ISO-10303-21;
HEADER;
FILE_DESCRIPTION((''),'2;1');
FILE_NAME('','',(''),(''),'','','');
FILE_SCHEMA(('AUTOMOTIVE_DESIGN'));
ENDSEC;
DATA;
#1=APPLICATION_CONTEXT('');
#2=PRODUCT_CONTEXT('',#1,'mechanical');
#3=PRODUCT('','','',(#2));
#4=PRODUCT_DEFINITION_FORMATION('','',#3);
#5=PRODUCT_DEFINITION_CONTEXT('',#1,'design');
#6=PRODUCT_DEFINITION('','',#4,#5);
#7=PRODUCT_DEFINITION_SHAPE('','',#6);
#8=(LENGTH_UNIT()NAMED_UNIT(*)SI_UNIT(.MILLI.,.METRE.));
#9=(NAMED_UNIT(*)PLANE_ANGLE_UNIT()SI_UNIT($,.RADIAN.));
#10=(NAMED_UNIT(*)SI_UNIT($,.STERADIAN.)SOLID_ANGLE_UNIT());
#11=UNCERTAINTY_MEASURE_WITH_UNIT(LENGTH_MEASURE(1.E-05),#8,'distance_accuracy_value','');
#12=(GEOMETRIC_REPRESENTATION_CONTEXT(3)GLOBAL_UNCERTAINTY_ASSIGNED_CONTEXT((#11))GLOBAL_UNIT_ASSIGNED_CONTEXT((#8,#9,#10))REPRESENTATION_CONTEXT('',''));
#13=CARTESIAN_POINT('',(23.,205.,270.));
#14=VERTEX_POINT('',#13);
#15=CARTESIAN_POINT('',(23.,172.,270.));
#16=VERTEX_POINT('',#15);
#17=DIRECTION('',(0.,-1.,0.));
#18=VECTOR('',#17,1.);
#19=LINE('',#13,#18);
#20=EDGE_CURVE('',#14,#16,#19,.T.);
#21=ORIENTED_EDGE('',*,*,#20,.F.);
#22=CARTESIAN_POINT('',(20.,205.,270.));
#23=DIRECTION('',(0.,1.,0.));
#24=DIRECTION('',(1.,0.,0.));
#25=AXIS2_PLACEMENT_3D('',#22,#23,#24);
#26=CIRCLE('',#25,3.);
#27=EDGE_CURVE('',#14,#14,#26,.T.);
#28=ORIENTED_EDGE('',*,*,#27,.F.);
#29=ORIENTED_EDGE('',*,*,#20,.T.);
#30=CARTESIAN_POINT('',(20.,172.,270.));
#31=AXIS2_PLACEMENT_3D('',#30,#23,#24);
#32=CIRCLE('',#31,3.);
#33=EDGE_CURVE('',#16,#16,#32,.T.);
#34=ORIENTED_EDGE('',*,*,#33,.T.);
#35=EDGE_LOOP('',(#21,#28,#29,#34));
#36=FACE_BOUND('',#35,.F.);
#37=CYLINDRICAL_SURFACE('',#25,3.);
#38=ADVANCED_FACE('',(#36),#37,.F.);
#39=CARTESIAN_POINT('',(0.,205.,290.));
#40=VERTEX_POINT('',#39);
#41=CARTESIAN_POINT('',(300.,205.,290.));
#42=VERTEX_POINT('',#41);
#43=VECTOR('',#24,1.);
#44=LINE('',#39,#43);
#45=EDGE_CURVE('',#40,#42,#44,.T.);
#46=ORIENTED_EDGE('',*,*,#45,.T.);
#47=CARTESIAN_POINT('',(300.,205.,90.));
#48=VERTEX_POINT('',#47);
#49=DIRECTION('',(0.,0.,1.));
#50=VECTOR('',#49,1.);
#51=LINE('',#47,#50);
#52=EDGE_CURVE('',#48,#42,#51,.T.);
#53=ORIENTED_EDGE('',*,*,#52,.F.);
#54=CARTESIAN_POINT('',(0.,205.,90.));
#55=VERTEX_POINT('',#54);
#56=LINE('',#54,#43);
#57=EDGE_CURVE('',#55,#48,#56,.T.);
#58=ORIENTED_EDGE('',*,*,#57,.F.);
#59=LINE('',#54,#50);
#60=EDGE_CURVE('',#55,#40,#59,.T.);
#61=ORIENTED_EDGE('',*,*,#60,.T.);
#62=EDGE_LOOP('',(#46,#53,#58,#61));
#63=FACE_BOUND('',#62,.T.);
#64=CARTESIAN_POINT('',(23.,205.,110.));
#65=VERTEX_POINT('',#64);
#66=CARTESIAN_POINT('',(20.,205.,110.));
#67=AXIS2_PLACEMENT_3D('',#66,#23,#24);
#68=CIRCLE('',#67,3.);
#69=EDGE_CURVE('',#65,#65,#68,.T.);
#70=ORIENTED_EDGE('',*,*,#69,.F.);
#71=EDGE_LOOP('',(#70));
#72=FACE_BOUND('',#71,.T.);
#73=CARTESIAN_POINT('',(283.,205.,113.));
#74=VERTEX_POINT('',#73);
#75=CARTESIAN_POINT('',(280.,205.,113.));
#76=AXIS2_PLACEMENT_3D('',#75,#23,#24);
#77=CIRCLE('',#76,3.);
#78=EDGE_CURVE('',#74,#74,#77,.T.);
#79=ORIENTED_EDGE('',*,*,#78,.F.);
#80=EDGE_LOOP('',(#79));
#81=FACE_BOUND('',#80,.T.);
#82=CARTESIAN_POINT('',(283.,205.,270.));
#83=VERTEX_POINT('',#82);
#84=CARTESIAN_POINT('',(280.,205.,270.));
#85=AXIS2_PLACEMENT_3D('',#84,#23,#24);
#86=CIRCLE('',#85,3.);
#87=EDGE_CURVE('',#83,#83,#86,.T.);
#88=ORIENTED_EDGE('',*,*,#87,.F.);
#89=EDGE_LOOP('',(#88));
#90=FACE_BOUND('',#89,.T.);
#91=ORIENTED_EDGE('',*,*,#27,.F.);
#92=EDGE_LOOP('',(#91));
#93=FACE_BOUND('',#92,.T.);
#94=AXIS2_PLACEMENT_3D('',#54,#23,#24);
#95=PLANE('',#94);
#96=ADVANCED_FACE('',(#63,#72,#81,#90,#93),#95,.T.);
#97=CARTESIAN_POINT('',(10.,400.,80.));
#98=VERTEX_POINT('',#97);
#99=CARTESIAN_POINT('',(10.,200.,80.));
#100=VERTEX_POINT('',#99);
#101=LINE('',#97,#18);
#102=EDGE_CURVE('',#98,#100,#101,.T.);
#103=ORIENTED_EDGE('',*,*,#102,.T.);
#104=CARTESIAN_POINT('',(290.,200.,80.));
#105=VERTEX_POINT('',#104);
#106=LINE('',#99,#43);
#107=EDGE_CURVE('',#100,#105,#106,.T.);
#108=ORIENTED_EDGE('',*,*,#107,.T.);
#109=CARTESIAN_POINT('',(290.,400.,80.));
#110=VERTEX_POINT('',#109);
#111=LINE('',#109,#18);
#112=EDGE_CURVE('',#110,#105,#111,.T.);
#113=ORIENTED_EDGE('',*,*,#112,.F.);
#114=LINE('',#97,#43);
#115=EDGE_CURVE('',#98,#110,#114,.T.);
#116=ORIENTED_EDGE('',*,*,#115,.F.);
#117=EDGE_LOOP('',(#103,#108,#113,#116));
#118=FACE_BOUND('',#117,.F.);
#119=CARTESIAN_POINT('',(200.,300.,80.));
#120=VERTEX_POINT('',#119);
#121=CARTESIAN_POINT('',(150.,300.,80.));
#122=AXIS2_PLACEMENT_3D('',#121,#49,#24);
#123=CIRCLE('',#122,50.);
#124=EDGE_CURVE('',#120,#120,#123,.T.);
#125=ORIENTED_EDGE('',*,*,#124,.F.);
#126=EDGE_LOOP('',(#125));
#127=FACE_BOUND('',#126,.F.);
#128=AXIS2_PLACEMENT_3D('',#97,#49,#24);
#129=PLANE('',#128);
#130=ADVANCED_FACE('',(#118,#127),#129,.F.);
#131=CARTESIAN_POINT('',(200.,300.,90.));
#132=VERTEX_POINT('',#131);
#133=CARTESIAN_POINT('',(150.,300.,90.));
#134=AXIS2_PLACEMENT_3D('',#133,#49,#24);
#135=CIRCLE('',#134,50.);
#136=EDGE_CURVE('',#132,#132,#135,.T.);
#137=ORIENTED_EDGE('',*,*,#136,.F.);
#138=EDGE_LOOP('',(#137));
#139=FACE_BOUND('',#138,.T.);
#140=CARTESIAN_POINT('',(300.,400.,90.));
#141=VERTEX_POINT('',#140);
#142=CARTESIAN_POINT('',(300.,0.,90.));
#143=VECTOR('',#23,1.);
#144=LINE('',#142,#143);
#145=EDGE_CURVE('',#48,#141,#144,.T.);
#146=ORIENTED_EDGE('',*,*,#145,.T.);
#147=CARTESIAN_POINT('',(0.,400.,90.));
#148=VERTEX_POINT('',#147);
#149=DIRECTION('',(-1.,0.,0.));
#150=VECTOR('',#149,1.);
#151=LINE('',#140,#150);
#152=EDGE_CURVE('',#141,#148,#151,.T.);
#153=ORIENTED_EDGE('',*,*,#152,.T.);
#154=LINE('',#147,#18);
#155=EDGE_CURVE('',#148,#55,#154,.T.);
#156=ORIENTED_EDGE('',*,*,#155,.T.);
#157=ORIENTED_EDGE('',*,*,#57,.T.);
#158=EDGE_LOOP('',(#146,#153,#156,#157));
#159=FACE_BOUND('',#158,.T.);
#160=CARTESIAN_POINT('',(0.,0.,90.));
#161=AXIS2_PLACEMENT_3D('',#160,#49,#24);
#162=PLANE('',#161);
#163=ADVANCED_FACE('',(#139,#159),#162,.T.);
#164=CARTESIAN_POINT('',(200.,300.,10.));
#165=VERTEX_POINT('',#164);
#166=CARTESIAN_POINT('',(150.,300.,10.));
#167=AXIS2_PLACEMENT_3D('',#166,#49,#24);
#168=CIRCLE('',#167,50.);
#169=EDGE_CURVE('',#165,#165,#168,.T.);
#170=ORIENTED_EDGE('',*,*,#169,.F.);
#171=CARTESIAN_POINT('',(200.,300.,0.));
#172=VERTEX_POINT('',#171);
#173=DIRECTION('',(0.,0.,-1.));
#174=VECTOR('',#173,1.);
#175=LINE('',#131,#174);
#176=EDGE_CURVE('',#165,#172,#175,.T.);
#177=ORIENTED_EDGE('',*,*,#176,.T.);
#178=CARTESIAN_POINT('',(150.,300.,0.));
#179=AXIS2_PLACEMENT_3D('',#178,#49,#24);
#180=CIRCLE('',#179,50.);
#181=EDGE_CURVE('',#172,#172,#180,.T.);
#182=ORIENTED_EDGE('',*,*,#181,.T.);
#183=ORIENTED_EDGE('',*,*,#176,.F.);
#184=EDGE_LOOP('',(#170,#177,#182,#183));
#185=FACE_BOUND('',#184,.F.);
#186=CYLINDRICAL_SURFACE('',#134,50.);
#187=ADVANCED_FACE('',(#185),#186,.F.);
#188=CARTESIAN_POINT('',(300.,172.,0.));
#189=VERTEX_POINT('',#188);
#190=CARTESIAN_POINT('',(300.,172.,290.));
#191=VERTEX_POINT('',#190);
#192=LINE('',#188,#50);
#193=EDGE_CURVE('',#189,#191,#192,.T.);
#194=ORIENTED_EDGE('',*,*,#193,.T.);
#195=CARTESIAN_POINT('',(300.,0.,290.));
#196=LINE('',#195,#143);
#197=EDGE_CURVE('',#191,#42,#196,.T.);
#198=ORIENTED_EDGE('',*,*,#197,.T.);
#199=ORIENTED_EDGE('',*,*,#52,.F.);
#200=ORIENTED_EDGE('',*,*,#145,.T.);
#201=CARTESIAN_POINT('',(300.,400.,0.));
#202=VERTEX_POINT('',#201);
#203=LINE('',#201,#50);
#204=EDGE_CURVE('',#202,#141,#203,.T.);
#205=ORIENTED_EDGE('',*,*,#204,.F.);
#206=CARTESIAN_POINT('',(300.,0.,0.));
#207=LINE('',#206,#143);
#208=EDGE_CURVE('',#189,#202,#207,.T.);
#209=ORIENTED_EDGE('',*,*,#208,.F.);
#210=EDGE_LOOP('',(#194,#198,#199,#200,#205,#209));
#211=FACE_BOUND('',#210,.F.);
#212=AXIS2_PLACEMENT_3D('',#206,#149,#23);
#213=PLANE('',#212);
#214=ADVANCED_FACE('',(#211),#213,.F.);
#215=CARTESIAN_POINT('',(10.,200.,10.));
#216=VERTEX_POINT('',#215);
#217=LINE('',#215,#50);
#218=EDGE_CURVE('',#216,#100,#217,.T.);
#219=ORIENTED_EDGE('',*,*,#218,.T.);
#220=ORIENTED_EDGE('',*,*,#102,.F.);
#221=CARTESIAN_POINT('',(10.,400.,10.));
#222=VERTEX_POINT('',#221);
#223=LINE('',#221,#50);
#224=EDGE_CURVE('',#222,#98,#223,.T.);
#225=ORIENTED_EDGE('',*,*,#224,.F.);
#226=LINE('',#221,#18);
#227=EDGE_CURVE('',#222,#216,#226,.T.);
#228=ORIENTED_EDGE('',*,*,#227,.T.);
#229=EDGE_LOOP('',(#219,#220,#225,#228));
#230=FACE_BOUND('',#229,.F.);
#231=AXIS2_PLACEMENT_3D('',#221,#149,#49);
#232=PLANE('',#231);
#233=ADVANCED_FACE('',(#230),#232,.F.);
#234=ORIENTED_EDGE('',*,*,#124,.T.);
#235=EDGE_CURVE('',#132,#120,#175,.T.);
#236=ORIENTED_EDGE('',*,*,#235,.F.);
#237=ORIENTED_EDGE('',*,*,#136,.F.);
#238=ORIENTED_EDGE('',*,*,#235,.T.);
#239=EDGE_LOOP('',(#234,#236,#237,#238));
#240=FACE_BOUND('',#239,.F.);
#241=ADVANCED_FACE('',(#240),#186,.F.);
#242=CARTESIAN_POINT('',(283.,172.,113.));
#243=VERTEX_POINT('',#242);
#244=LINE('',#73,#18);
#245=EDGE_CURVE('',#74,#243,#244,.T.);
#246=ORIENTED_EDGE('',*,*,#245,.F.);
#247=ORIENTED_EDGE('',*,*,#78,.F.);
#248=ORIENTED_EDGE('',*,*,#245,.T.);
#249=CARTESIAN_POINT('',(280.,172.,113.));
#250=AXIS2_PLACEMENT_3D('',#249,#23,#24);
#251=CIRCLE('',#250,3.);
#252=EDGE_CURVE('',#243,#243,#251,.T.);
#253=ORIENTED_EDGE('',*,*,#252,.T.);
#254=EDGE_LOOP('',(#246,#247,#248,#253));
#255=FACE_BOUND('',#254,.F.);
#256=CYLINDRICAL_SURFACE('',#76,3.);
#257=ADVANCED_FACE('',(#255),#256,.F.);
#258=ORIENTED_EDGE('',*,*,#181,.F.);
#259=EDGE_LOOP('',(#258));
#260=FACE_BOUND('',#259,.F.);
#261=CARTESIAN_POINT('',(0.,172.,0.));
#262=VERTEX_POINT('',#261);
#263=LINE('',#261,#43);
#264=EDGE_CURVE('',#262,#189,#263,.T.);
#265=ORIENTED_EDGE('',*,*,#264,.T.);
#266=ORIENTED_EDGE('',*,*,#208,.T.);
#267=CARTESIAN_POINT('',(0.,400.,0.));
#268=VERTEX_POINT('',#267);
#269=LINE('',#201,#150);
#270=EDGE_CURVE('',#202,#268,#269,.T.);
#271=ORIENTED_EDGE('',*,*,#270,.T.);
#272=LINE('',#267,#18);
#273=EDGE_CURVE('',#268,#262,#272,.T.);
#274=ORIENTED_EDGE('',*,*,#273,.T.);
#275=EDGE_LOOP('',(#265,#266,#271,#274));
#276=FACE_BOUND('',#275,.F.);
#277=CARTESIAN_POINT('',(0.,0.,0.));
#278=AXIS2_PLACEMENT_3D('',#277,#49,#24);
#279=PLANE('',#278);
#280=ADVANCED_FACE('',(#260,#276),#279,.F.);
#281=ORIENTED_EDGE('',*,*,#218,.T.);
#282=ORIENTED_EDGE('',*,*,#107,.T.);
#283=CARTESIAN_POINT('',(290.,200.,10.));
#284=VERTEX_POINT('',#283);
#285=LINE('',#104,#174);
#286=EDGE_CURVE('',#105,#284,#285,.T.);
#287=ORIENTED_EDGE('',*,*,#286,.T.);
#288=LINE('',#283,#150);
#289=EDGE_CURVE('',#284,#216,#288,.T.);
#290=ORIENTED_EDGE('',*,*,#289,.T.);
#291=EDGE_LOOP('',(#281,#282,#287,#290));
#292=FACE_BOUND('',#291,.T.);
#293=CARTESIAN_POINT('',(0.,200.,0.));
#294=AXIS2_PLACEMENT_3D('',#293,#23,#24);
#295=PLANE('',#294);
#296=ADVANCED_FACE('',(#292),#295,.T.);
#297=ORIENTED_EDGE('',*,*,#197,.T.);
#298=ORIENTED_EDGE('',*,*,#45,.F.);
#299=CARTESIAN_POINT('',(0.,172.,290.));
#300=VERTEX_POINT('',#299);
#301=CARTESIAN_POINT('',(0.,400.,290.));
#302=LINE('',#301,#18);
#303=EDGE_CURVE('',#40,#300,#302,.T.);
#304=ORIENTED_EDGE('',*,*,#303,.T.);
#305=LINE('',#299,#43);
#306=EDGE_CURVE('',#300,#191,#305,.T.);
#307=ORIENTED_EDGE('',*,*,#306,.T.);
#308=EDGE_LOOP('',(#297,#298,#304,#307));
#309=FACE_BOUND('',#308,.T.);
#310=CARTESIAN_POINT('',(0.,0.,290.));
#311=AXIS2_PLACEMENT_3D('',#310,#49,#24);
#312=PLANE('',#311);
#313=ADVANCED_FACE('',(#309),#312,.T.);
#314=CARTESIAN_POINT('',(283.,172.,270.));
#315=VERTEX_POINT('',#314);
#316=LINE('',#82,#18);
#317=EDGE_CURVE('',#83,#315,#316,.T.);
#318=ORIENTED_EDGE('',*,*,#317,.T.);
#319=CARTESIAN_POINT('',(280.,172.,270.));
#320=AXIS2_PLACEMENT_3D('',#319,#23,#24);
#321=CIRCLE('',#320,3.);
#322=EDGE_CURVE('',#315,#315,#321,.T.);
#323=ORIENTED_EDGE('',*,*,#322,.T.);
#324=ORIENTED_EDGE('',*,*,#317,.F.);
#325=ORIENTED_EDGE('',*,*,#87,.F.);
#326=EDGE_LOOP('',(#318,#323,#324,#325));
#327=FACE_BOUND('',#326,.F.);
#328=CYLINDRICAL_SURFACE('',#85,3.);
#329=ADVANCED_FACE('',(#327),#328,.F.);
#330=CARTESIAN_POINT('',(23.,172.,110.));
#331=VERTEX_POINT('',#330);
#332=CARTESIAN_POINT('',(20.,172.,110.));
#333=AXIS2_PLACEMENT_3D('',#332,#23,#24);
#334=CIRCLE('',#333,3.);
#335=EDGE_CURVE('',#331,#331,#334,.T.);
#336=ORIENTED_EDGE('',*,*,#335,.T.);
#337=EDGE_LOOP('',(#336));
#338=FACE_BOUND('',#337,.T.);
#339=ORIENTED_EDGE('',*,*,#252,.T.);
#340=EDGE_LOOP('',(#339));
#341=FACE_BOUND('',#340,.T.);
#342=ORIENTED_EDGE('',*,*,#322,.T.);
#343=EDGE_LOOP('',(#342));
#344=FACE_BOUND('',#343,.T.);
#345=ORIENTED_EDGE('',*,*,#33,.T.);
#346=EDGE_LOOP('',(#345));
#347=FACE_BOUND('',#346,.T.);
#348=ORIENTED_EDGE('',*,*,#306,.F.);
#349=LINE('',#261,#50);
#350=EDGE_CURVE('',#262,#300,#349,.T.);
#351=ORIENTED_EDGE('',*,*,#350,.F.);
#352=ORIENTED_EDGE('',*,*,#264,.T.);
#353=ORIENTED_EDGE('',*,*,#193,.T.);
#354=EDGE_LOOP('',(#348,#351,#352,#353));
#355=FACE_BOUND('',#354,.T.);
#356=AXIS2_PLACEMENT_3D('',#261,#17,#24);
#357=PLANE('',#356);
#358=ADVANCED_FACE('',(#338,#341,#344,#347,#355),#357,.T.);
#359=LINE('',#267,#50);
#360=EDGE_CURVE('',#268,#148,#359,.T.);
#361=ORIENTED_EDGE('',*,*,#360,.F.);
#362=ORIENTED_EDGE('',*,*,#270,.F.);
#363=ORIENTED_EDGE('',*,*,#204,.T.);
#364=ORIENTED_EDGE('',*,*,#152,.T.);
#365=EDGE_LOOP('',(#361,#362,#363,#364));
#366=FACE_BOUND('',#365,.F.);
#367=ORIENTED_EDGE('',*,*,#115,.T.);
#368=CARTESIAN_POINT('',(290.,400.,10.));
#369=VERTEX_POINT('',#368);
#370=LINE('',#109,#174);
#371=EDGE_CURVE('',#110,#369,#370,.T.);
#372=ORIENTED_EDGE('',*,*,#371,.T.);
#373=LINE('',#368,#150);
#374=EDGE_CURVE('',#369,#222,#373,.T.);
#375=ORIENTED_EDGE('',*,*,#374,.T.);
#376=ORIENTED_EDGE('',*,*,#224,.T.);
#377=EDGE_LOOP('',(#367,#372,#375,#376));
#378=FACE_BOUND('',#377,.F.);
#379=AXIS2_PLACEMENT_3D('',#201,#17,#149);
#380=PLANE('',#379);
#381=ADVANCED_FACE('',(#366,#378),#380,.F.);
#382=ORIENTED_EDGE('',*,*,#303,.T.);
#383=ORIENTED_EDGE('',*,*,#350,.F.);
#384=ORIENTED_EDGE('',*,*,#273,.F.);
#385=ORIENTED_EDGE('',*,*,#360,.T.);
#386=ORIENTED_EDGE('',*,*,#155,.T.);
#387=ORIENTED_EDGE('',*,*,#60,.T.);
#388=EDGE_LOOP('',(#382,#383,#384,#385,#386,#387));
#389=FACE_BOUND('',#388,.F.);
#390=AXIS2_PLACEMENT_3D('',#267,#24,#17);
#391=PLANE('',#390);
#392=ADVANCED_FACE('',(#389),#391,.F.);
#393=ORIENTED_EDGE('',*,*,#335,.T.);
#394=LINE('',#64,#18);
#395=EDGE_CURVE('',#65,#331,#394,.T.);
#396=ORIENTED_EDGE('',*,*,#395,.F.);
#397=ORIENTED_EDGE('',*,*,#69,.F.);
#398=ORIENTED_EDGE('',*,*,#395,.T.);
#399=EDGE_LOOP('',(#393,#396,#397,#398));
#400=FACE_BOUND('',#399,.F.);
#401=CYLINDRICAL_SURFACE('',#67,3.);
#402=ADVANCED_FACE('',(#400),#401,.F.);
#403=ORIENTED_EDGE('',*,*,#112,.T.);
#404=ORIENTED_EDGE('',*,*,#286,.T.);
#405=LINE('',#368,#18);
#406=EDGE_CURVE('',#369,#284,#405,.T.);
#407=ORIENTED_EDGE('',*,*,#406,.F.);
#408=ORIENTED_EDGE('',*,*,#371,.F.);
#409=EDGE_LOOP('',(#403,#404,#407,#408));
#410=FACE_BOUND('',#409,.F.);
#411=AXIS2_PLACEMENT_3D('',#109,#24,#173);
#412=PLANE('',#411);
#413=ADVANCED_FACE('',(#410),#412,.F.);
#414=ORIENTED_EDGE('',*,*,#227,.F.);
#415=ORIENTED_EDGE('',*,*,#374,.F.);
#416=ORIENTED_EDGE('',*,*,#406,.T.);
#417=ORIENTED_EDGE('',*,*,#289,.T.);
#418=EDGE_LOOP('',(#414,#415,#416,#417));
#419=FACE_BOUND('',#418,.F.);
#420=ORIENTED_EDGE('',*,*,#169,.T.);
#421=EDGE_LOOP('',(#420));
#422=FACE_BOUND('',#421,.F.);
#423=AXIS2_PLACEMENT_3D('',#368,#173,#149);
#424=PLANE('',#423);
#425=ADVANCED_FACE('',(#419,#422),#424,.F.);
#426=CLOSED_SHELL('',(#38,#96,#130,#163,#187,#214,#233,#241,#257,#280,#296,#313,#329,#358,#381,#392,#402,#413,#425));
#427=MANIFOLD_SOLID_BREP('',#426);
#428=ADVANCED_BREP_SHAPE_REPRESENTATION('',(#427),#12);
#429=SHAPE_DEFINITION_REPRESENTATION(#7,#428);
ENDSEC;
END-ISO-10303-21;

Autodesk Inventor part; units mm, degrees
ref_plane "YZ Plane" through (0, 0, 0) normal (1, 0, 0) x (0, 1, 0)
ref_plane "XZ Plane" through (0, 0, 0) normal (0, 1, 0) x (-1, 0, 0)
ref_plane "XY Plane" through (0, 0, 0) normal (0, 0, 1) x (1, 0, 0)
sketch "Sketch1" plane through (0, 0, 0) normal (0, 0, 1) x (1, 0, 0)
  line L0 (0, 0) -> (300, 0)
  line L1 (300, 0) -> (300, 400)
  line L2 (300, 400) -> (0, 400)
  line L3 (0, 400) -> (0, 0)
  dimension "d0" = 300
  dimension "d1" = 400
extrude "Extrusion1" add sketch "Sketch1" along normal blind 90
sketch "Sketch2" plane through (0, 0, 90) normal (0, 0, 1) x (1, 0, 0)
  circle A0 centre (150, 300) radius 50
  point P0 (0, 0)
  dimension "d4" = 100
  dimension "d5" = 150
  dimension "d6" = 300
extrude "Extrusion2" cut sketch "Sketch2" against normal blind 100
sketch "Sketch4" plane through (0, 400, 0) normal (0, 1, 0) x (1, 0, 0)
  line L0 (10, -80) -> (290, -80)
  line L1 (290, -80) -> (290, -10)
  line L2 (290, -10) -> (10, -10)
  line L3 (10, -10) -> (10, -80)
  line L4 (0, 0) -> (0, -90) projected
  dimension "d12" = 70
  dimension "d13" = 280
  dimension "d14" = 10
  dimension "d15" = 10
extrude "Extrusion4" cut sketch "Sketch4" against normal blind 200
sketch "Sketch5" plane through (0, 0, 90) normal (0, 0, 1) x (1, 0, 0)
  line L0 (0, 205) -> (300, 205)
  line L1 (300, 400) -> (0, 400) projected
  line L2 (0, 400) -> (0, 0) projected
  line L3 (300, 0) -> (300, 400) projected
  line L4 (0, 205) -> (0, 172)
  line L5 (0, 172) -> (300, 172)
  line L6 (300, 0) -> (300, 400) projected
  line L7 (300, 205) -> (300, 172)
  dimension "d18" = 195
  dimension "d19" = 33
extrude "Extrusion5" add sketch "Sketch5" along normal blind 200 contours L0 L3 L5 L2
sketch "Sketch6" plane through (0, 0, 0) normal (0, -1, 0) x (1, 0, 0)
  line L0 (300, 90) -> (0, 90) projected
  line L1 (0, 0) -> (300, 0)
  line L2 (300, 0) -> (300, 90)
  line L3 (300, 90) -> (0, 90)
  line L4 (0, 90) -> (0, 0)
extrude "Extrusion6" cut sketch "Sketch6" against normal blind 172
sketch "Sketch7" plane through (0, 205, 90) normal (0, 1, 0) x (1, 0, 0)
  circle A0 centre (20, -180) radius 3
  circle A1 centre (20, -20) radius 3
  circle A2 centre (280, -23) radius 3
  circle A3 centre (280, -180) radius 3
  line L0 (300, -200) -> (0, -200) projected
  line L1 (0, 0) -> (0, -200) projected
  line L2 (300, 0) -> (0, 0) projected
  line L3 (300, 0) -> (300, -200) projected
  point P0 (0, 90)
  dimension "d24" = 20
  dimension "d25" = 20
  dimension "d26" = 6
  dimension "d27" = 20
  dimension "d28" = 20
  dimension "d29" = 20
  dimension "d30" = 20
  dimension "d31" = 20
  dimension "d32" = 20
extrude "Extrusion7" cut sketch "Sketch7" against normal blind 50 contours A0 | A1 | A2 | A3
properties part number "Baseservo"
